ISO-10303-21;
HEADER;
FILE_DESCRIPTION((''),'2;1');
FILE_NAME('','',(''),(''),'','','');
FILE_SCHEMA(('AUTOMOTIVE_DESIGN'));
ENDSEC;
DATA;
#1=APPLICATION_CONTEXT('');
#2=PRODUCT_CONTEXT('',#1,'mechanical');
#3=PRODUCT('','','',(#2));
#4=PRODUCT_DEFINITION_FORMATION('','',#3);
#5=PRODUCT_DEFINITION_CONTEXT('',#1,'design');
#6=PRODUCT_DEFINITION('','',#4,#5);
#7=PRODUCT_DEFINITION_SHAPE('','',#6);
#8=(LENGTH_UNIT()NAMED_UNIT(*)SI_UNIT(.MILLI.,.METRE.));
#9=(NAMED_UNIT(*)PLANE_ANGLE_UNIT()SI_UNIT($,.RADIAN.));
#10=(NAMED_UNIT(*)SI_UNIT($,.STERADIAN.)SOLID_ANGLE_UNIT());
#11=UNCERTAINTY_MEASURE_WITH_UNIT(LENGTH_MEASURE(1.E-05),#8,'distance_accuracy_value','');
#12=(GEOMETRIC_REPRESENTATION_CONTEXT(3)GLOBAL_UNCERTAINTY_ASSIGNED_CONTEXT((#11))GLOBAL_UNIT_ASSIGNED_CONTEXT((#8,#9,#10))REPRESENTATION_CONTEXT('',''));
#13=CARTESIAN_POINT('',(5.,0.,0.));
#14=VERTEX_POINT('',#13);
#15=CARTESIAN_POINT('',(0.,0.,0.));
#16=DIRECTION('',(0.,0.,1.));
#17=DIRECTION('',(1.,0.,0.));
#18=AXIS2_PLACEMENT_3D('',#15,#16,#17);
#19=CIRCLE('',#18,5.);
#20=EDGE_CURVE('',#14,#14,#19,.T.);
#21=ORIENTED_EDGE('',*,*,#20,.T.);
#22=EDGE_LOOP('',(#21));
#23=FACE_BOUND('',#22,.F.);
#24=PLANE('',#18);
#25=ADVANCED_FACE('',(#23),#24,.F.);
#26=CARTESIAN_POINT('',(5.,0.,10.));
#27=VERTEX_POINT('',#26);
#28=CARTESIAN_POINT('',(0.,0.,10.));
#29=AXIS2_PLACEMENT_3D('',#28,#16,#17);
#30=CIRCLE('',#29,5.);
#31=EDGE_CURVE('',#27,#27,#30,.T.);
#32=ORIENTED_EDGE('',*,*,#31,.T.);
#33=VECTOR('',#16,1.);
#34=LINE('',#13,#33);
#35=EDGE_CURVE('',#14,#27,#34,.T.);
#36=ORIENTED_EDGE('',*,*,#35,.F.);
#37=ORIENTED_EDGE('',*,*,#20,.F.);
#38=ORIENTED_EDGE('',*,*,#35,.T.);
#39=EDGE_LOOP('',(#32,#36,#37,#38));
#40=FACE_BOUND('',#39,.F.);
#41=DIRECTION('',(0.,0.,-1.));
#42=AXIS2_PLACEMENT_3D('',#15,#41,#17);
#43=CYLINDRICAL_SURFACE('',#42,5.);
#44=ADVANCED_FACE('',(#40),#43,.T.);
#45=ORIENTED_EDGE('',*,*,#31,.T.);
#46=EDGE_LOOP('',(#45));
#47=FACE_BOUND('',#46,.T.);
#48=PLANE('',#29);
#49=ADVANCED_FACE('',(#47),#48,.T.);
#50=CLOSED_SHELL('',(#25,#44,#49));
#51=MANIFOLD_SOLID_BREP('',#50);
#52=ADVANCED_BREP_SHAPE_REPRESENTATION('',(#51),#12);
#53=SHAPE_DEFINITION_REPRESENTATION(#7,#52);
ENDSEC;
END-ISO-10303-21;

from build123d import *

# Parameters (mm, degrees)
SKETCH_1_R      = 5
EXTRUDE_1_DEPTH = 10


with BuildPart() as part:
    # 草图1 → 凸台-拉伸1 (new body)
    with BuildSketch(Plane.XY):
        Circle(SKETCH_1_R)
    extrude(amount=EXTRUDE_1_DEPTH)


solid = part.part
